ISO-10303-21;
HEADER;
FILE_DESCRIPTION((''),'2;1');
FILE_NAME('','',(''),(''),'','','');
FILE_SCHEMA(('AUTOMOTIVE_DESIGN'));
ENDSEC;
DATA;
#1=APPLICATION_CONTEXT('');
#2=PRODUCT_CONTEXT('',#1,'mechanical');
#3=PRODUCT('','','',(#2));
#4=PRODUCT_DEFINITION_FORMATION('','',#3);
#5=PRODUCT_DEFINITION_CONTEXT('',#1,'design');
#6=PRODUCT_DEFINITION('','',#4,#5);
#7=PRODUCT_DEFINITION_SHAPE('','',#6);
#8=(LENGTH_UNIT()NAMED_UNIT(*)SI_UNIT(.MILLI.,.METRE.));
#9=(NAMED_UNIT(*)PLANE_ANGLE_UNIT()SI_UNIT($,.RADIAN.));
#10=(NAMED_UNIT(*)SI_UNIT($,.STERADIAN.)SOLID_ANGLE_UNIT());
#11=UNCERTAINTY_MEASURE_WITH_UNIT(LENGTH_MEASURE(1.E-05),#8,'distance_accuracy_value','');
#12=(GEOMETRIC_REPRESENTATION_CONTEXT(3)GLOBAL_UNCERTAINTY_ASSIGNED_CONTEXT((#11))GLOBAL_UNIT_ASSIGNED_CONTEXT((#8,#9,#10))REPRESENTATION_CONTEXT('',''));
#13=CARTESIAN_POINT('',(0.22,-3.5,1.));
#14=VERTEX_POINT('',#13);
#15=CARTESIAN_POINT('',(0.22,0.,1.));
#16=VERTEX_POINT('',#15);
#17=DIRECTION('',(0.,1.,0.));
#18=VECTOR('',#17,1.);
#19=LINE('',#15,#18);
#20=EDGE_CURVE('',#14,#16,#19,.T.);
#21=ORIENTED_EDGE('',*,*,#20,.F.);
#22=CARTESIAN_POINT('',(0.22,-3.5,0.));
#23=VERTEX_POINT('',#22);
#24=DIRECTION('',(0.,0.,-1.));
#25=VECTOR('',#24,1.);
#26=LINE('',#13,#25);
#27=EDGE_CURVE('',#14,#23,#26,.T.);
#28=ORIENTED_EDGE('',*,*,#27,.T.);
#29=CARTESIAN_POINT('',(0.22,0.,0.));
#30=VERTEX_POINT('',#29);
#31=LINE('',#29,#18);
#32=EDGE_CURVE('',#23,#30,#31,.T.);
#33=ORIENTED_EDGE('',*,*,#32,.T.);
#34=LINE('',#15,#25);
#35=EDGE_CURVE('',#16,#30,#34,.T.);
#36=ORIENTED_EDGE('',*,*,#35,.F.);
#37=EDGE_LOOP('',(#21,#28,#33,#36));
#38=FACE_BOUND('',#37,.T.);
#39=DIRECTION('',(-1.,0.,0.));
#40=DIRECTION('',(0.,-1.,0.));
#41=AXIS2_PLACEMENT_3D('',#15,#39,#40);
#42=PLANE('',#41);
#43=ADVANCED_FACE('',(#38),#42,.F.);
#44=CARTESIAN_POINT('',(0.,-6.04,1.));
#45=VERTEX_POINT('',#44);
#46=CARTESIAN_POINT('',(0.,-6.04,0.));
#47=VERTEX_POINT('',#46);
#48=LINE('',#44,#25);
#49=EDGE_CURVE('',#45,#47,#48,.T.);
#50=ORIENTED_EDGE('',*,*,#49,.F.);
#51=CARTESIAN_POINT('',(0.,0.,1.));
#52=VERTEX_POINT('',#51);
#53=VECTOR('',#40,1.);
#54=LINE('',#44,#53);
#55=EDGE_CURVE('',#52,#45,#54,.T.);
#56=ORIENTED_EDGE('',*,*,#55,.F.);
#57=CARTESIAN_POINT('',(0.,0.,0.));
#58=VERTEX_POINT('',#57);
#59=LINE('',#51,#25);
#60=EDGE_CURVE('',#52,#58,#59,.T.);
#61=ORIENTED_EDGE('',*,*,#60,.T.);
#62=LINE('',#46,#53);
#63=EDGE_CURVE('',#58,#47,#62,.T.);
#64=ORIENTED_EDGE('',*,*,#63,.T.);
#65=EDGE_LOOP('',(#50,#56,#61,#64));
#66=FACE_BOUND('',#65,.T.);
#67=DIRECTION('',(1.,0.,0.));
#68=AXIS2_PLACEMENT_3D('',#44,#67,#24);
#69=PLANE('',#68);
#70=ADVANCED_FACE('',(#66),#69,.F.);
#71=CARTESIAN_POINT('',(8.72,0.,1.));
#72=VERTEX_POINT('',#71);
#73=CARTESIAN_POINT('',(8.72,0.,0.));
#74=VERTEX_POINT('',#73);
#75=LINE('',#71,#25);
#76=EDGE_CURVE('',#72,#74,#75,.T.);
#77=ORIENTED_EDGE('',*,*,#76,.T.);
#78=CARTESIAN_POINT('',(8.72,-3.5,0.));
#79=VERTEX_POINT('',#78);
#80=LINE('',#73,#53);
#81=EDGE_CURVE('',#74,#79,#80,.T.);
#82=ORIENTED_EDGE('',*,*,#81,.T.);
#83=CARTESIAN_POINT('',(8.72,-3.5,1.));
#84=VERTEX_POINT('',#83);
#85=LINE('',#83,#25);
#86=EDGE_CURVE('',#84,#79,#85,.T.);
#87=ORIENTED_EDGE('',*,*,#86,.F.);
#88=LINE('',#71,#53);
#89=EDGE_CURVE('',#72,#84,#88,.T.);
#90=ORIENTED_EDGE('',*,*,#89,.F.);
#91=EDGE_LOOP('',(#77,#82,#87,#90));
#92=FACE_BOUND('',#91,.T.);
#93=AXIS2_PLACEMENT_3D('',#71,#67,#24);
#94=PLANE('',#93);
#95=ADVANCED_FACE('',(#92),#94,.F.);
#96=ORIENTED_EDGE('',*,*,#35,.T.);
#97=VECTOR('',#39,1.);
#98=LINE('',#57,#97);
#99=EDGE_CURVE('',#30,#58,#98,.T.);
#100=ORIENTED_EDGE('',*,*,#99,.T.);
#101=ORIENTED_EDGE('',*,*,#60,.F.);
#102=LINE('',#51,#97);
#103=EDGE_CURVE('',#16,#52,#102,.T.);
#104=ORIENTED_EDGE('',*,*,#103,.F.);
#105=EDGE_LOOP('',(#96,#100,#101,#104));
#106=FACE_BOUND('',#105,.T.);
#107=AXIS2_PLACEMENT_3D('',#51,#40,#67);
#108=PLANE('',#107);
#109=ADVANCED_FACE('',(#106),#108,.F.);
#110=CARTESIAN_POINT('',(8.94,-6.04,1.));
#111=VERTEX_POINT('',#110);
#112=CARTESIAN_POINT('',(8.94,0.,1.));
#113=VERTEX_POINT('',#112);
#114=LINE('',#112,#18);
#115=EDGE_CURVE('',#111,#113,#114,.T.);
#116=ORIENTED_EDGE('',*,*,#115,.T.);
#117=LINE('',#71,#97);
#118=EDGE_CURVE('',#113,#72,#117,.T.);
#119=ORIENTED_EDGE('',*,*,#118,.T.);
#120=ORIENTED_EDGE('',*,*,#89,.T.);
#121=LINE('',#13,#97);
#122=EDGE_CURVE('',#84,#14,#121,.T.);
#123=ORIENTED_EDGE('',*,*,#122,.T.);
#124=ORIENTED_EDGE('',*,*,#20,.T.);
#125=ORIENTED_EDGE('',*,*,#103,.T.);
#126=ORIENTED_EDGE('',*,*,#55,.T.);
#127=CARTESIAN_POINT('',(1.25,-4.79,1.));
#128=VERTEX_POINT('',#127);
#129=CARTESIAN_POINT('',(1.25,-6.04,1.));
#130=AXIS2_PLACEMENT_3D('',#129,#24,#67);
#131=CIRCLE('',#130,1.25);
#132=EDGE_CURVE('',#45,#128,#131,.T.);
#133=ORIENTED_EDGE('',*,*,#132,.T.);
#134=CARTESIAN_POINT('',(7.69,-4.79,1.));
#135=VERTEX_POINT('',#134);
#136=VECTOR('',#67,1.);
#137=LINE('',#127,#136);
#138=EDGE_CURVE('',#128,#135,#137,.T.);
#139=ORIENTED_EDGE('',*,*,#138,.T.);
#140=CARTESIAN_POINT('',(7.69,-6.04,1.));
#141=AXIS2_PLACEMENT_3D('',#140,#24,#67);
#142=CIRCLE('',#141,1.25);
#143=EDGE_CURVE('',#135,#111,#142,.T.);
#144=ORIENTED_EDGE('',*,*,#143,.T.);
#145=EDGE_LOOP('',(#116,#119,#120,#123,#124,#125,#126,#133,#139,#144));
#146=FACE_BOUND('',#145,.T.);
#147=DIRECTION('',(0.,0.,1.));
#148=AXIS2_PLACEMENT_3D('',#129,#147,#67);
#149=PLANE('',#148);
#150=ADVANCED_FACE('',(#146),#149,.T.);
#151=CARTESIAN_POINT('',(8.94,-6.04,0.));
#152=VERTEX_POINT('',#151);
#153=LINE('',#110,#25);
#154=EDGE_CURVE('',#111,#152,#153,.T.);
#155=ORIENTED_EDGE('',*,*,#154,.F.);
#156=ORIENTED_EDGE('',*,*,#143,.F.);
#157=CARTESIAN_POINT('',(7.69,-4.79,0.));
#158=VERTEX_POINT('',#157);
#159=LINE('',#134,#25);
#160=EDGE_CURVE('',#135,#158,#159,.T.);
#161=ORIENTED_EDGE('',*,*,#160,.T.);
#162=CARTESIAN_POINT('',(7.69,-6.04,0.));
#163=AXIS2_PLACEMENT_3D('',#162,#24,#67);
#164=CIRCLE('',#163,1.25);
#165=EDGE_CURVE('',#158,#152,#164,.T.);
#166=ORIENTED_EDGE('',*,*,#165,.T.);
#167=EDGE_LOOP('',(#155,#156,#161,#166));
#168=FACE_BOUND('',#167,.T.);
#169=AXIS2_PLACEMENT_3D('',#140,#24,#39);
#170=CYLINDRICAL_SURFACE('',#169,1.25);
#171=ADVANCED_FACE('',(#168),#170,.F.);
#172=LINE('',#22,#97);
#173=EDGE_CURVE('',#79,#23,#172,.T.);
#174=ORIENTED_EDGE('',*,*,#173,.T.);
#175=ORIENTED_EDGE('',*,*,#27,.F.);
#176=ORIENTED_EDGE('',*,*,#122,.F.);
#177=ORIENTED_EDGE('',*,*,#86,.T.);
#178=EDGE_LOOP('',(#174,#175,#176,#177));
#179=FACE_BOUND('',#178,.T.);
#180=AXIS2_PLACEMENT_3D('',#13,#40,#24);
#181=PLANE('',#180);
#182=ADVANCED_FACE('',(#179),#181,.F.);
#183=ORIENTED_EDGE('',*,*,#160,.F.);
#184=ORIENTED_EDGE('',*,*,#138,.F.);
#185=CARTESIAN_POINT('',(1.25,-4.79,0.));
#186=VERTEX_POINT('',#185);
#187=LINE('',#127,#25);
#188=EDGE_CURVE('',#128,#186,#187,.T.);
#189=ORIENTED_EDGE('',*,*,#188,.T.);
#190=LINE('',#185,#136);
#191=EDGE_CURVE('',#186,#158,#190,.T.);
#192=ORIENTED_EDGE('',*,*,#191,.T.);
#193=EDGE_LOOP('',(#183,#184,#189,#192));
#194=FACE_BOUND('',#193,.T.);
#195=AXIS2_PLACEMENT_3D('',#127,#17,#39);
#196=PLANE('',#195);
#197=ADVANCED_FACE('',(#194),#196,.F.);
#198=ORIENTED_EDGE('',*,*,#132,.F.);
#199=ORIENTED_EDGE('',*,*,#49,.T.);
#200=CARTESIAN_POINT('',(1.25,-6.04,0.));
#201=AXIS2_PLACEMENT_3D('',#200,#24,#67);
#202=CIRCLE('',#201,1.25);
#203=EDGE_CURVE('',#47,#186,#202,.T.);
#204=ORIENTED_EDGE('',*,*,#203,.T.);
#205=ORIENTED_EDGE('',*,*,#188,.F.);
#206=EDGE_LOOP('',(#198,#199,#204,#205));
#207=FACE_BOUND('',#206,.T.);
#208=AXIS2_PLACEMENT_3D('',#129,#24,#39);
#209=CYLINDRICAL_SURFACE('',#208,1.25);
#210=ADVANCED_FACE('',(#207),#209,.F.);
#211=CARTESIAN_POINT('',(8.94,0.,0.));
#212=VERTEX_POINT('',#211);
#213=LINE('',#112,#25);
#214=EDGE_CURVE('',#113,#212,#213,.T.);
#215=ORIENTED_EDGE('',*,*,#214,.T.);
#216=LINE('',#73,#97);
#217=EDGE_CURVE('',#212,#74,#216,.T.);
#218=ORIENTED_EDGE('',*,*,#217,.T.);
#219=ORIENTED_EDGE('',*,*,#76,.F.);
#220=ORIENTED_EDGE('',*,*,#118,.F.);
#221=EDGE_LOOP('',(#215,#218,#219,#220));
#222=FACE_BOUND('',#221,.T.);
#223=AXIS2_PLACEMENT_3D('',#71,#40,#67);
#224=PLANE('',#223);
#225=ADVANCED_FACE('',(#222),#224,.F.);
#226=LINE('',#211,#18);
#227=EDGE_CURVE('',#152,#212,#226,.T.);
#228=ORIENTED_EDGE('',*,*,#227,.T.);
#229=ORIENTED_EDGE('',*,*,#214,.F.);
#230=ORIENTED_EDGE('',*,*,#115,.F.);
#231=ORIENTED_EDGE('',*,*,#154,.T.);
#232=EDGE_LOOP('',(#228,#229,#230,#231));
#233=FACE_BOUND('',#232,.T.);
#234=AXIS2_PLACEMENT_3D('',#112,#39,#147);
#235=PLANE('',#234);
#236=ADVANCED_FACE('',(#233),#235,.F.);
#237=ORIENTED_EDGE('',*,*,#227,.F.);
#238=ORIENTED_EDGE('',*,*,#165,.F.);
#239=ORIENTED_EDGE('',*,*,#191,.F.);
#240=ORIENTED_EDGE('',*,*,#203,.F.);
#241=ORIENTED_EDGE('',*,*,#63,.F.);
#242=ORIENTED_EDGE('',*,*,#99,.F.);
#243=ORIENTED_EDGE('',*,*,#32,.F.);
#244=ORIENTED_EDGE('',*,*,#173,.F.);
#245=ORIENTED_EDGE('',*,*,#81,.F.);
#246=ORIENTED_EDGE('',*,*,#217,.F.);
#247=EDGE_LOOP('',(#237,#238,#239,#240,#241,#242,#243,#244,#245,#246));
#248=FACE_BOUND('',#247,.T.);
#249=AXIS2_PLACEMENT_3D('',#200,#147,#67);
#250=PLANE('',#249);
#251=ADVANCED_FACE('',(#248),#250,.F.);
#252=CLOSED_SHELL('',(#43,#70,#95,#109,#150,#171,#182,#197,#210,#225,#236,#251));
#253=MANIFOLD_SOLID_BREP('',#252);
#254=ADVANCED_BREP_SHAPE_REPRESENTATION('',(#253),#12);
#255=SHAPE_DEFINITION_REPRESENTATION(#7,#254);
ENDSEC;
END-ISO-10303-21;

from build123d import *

# Parameters (mm, degrees)
BOSS_EXTRUDE1_DEPTH = 1


with BuildPart() as part:
    # Sketch1 → Boss-Extrude1 (new body)
    with BuildSketch(Plane.XY):
        with BuildLine():
            Line((0, -6.04), (0, 0))
            Line((0, 0), (0.22, 0))
            Line((0.22, 0), (0.22, -3.5))
            Line((0.22, -3.5), (8.72, -3.5))
            Line((8.72, -3.5), (8.72, 0))
            Line((8.72, 0), (8.94, 0))
            Line((8.94, 0), (8.94, -6.04))
            ThreePointArc((8.94, -6.04), (8.573883476, -5.156116524), (7.69, -4.79))
            Line((7.69, -4.79), (1.25, -4.79))
            ThreePointArc((1.25, -4.79), (0.366116524, -5.156116524), (0, -6.04))
        make_face()
    extrude(amount=BOSS_EXTRUDE1_DEPTH)


solid = part.part
